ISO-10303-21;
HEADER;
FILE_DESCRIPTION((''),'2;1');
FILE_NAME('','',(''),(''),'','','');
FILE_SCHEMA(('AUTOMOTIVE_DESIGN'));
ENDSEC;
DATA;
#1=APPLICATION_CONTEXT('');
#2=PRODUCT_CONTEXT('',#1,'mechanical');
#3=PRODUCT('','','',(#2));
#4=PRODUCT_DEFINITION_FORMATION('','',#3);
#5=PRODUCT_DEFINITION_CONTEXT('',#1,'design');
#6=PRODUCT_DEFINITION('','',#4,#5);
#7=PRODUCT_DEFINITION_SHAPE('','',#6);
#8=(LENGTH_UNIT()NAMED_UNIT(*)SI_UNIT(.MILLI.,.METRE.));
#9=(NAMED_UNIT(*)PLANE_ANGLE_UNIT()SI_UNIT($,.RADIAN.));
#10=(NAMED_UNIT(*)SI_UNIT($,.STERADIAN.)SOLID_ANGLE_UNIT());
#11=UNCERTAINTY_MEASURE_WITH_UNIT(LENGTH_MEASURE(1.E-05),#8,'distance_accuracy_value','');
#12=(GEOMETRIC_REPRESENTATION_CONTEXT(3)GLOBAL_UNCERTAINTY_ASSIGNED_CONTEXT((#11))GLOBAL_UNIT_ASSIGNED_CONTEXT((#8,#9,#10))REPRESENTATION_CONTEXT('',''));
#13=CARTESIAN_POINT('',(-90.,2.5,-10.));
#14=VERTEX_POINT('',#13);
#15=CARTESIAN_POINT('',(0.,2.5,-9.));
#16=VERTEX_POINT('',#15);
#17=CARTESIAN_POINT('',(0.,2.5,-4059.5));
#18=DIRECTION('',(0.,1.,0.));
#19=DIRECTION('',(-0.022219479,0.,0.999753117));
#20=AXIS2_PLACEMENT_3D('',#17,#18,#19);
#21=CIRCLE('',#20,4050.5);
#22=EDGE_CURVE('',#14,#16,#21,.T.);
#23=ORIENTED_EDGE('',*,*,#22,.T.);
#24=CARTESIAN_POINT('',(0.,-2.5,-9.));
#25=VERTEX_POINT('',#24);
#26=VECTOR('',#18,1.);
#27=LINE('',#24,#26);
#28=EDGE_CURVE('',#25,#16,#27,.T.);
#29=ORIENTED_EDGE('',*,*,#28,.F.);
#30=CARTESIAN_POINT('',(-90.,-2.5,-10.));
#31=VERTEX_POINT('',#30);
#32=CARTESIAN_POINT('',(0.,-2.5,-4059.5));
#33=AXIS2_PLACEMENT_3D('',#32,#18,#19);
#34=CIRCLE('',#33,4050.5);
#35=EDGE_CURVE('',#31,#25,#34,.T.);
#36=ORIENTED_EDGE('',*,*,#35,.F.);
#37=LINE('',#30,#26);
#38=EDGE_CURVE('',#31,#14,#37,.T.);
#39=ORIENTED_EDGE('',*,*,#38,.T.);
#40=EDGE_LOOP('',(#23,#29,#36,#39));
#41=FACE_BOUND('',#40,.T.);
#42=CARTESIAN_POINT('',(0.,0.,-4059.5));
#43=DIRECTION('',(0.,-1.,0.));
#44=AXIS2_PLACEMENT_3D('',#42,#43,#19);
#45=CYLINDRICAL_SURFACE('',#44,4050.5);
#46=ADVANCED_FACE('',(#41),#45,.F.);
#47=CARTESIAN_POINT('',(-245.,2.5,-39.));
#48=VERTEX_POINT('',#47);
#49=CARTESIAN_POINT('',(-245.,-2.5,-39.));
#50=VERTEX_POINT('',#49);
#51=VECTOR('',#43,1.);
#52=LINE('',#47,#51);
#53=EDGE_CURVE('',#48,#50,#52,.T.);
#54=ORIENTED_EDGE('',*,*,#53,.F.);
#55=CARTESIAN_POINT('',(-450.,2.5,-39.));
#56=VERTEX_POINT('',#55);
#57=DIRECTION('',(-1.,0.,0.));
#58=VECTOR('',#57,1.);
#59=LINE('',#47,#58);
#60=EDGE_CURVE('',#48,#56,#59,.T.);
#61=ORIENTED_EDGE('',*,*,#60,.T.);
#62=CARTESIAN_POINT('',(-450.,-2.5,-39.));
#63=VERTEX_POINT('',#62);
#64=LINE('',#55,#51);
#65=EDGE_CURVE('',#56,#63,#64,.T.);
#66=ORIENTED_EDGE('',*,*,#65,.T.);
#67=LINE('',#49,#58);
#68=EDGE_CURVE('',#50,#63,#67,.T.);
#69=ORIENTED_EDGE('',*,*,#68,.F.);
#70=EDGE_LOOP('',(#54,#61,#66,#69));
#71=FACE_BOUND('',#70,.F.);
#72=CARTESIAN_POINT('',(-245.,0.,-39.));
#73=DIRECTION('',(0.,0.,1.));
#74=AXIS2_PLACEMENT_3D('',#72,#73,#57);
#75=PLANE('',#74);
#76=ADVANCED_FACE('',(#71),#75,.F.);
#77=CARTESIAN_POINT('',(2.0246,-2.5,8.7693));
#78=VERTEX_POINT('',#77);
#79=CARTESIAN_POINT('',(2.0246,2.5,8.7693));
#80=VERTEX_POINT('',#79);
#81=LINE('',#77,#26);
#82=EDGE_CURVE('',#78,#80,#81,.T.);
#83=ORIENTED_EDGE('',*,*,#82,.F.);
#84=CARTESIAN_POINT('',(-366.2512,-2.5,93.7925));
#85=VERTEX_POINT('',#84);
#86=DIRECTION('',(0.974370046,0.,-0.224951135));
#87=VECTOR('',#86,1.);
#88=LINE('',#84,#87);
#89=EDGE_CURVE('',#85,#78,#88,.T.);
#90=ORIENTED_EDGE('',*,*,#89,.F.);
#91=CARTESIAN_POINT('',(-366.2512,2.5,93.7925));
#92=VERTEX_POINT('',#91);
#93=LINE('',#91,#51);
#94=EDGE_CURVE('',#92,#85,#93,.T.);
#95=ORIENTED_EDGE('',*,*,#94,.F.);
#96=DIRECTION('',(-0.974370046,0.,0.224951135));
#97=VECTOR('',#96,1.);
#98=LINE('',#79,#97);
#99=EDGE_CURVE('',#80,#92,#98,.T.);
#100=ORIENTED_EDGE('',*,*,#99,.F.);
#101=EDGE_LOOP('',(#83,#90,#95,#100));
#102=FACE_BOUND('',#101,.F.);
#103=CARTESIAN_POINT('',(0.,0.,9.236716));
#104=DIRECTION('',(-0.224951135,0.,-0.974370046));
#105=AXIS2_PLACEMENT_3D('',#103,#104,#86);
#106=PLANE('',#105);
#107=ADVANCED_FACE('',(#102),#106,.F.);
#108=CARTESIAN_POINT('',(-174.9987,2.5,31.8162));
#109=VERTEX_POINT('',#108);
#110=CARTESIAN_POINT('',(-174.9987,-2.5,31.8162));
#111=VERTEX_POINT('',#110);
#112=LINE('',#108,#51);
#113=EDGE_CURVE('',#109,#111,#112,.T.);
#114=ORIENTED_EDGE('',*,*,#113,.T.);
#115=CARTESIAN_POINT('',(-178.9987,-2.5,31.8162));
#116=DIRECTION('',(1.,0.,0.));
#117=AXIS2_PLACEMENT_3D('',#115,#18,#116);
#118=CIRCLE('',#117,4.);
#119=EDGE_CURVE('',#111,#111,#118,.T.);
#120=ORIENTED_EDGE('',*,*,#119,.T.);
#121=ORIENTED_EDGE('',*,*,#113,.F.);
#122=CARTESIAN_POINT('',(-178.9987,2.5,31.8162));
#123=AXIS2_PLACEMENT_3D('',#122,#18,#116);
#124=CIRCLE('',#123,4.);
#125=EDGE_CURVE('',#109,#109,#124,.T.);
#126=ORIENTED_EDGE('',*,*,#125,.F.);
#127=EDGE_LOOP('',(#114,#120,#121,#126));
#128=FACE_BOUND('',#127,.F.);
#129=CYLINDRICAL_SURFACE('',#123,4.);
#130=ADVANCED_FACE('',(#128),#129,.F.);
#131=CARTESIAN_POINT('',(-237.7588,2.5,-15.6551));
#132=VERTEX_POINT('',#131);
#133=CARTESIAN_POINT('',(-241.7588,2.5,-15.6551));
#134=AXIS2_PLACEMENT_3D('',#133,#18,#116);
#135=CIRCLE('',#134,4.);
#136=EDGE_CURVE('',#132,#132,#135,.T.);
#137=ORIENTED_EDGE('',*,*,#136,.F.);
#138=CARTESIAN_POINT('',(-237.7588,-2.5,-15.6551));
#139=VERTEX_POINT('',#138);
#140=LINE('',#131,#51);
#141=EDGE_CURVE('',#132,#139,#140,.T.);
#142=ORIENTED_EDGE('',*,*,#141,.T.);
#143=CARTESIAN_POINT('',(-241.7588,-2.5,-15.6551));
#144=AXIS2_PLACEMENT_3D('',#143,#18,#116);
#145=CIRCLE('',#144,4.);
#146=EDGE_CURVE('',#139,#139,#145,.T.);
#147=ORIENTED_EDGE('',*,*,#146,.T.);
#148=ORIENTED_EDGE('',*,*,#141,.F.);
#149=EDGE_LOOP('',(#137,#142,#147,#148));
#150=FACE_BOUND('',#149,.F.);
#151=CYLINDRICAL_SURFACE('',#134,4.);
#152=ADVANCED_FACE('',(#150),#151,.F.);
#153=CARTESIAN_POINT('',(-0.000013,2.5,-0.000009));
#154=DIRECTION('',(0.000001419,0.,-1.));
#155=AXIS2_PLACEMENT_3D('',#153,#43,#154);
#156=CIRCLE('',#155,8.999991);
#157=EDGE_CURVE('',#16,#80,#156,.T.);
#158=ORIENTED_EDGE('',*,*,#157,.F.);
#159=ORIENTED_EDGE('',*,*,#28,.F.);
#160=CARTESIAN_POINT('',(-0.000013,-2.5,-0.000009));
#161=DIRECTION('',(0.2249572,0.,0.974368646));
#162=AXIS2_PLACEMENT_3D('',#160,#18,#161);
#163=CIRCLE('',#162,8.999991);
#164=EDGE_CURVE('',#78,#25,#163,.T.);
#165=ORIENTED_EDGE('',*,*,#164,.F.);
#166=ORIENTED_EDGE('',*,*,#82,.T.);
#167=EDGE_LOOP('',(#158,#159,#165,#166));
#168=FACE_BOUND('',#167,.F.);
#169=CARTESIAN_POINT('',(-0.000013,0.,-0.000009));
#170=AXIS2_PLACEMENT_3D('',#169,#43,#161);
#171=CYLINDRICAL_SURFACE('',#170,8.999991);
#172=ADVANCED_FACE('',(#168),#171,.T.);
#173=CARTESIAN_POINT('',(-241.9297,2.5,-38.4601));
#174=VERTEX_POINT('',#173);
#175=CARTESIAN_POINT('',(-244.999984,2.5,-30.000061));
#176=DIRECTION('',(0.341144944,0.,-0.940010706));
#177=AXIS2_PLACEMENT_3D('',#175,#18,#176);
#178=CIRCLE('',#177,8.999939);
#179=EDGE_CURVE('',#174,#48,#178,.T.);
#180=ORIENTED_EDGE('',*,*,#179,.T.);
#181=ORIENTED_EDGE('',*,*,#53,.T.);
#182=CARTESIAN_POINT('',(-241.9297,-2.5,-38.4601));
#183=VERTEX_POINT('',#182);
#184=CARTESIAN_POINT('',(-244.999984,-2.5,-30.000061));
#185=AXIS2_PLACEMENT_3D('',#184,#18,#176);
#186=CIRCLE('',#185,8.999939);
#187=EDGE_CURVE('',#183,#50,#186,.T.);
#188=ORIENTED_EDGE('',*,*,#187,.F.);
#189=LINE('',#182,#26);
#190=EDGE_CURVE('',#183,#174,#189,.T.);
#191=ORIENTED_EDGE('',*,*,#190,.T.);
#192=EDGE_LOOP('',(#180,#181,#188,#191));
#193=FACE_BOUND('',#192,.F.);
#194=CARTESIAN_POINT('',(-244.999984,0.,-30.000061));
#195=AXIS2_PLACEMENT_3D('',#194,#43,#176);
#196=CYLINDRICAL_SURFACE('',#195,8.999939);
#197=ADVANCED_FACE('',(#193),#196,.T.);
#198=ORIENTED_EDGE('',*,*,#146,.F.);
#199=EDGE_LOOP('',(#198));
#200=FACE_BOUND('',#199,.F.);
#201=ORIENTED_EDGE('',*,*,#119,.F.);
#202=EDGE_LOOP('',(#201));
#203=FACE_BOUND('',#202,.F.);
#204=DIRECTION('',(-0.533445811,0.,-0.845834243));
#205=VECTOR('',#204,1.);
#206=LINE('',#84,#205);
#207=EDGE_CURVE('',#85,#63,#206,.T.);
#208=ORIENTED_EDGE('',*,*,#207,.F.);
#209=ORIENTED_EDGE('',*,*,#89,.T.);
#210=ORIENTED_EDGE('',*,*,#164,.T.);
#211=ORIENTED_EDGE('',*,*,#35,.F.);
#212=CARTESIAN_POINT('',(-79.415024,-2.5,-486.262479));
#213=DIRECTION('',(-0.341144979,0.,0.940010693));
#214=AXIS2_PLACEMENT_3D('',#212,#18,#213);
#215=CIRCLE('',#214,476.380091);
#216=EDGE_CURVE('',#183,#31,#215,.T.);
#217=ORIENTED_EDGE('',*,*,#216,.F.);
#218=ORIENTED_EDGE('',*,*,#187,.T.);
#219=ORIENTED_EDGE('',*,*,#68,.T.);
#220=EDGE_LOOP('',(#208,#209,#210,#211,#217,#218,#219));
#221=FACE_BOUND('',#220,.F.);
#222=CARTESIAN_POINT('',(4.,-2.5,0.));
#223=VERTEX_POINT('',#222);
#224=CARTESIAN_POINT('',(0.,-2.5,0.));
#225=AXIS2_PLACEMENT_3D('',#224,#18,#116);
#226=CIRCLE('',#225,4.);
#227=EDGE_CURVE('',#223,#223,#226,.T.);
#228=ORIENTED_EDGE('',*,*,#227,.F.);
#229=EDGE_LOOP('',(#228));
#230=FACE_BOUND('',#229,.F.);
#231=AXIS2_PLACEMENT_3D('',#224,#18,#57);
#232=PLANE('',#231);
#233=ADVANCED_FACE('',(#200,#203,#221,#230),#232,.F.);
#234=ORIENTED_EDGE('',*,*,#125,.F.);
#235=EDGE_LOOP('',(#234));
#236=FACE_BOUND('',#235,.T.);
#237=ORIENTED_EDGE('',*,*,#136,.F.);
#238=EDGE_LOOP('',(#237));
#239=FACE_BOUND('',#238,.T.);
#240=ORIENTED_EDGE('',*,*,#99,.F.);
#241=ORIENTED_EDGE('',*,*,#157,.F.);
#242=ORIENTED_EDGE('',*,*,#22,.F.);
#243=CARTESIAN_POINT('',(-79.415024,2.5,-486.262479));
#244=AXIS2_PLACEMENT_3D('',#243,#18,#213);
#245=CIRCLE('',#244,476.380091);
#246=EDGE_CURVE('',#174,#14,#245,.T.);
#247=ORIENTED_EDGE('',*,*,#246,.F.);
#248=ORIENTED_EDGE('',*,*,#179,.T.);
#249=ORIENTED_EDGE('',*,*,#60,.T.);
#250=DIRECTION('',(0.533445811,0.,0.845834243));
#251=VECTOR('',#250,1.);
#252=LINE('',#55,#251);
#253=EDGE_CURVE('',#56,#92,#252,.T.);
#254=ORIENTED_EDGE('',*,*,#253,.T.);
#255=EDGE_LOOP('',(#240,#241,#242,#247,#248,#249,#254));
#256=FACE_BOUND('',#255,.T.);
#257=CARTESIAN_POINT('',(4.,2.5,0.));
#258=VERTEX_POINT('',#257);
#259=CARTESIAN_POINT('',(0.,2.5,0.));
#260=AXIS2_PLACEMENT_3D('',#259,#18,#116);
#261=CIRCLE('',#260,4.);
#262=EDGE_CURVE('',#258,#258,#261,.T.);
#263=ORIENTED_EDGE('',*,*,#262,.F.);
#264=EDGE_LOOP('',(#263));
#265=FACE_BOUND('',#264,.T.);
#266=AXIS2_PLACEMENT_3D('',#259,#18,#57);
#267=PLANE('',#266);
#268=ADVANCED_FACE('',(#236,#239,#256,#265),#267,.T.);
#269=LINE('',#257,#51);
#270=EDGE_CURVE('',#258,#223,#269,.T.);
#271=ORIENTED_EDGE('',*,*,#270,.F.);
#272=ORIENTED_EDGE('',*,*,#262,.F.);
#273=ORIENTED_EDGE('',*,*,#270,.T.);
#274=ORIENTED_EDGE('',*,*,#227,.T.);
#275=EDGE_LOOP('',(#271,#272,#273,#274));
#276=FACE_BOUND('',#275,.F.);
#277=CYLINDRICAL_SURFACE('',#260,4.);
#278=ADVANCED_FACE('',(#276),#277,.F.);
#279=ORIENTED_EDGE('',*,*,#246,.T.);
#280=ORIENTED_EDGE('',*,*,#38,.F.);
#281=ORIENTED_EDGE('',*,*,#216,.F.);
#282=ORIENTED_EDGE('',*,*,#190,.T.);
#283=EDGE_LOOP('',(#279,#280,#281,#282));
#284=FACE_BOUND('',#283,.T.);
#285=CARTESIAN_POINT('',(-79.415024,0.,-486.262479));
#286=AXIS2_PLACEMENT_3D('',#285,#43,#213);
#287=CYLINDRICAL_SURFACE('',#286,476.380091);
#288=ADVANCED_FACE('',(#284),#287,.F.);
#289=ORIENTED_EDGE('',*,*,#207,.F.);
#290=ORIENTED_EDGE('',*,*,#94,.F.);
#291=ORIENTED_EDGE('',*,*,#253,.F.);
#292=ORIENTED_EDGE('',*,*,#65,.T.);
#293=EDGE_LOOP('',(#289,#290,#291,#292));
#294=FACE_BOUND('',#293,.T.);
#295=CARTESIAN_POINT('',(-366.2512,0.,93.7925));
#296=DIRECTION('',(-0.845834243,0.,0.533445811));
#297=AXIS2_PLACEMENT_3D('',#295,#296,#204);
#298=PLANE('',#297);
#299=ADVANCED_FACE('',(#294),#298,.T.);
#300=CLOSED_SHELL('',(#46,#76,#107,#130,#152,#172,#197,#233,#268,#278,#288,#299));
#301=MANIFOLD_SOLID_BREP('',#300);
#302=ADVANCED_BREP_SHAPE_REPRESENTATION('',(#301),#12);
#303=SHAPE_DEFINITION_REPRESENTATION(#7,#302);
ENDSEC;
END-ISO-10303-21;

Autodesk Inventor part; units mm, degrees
ref_plane "YZ Plane" through (0, 0, 0) normal (1, 0, 0) x (0, 1, 0)
ref_plane "XZ Plane" through (0, 0, 0) normal (0, 1, 0) x (-1, 0, 0)
ref_plane "XY Plane" through (0, 0, 0) normal (0, 0, 1) x (1, 0, 0)
sketch "スケッチ1" plane through (0, 0, 0) normal (0, 1, 0) x (-1, 0, 0)
  arc A0 (-2.0246, 8.7693) -> (0, -9) centre (0, 0) ccw
  arc A1 (90, -10) -> (0, -9) centre (0, -4059.5) ccw
  arc A2 (241.9297, -38.4601) -> (90, -10) centre (79.4151, -486.2622) ccw
  arc A3 (241.9297, -38.4601) -> (245, -39) centre (245, -30) ccw
  line L0 (0, -4890.1585) -> (0, 924.451) projected
  line L1 (366.2512, 93.7925) -> (-2.0246, 8.7693)
  line L2 (541.9909, 0) -> (-101.9453, 0) projected
  line L3 (245, -39) -> (450, -39)
  line L4 (366.2512, 93.7925) -> (450, -39)
  dimension "d10" = 13
  dimension "d11" = 90
  dimension "d12" = 10
  dimension "d16" = 9
  dimension "d17" = 9
  dimension "d18" = 30
  dimension "d19" = 245
extrude "押し出し2" add sketch "スケッチ1" along normal mid plane 5
sketch "スケッチ2" plane through (0, 2.5, 0) normal (0, 1, 0) x (1, 0, 0)
  circle A0 centre (0, 0) radius 4 projected
  circle A1 centre (-241.7588, 15.6551) radius 4 projected
  circle A2 centre (-178.9987, -31.8162) radius 4 projected
extrude "押し出し3" cut sketch "スケッチ2" against normal through all
properties part number "mount"
